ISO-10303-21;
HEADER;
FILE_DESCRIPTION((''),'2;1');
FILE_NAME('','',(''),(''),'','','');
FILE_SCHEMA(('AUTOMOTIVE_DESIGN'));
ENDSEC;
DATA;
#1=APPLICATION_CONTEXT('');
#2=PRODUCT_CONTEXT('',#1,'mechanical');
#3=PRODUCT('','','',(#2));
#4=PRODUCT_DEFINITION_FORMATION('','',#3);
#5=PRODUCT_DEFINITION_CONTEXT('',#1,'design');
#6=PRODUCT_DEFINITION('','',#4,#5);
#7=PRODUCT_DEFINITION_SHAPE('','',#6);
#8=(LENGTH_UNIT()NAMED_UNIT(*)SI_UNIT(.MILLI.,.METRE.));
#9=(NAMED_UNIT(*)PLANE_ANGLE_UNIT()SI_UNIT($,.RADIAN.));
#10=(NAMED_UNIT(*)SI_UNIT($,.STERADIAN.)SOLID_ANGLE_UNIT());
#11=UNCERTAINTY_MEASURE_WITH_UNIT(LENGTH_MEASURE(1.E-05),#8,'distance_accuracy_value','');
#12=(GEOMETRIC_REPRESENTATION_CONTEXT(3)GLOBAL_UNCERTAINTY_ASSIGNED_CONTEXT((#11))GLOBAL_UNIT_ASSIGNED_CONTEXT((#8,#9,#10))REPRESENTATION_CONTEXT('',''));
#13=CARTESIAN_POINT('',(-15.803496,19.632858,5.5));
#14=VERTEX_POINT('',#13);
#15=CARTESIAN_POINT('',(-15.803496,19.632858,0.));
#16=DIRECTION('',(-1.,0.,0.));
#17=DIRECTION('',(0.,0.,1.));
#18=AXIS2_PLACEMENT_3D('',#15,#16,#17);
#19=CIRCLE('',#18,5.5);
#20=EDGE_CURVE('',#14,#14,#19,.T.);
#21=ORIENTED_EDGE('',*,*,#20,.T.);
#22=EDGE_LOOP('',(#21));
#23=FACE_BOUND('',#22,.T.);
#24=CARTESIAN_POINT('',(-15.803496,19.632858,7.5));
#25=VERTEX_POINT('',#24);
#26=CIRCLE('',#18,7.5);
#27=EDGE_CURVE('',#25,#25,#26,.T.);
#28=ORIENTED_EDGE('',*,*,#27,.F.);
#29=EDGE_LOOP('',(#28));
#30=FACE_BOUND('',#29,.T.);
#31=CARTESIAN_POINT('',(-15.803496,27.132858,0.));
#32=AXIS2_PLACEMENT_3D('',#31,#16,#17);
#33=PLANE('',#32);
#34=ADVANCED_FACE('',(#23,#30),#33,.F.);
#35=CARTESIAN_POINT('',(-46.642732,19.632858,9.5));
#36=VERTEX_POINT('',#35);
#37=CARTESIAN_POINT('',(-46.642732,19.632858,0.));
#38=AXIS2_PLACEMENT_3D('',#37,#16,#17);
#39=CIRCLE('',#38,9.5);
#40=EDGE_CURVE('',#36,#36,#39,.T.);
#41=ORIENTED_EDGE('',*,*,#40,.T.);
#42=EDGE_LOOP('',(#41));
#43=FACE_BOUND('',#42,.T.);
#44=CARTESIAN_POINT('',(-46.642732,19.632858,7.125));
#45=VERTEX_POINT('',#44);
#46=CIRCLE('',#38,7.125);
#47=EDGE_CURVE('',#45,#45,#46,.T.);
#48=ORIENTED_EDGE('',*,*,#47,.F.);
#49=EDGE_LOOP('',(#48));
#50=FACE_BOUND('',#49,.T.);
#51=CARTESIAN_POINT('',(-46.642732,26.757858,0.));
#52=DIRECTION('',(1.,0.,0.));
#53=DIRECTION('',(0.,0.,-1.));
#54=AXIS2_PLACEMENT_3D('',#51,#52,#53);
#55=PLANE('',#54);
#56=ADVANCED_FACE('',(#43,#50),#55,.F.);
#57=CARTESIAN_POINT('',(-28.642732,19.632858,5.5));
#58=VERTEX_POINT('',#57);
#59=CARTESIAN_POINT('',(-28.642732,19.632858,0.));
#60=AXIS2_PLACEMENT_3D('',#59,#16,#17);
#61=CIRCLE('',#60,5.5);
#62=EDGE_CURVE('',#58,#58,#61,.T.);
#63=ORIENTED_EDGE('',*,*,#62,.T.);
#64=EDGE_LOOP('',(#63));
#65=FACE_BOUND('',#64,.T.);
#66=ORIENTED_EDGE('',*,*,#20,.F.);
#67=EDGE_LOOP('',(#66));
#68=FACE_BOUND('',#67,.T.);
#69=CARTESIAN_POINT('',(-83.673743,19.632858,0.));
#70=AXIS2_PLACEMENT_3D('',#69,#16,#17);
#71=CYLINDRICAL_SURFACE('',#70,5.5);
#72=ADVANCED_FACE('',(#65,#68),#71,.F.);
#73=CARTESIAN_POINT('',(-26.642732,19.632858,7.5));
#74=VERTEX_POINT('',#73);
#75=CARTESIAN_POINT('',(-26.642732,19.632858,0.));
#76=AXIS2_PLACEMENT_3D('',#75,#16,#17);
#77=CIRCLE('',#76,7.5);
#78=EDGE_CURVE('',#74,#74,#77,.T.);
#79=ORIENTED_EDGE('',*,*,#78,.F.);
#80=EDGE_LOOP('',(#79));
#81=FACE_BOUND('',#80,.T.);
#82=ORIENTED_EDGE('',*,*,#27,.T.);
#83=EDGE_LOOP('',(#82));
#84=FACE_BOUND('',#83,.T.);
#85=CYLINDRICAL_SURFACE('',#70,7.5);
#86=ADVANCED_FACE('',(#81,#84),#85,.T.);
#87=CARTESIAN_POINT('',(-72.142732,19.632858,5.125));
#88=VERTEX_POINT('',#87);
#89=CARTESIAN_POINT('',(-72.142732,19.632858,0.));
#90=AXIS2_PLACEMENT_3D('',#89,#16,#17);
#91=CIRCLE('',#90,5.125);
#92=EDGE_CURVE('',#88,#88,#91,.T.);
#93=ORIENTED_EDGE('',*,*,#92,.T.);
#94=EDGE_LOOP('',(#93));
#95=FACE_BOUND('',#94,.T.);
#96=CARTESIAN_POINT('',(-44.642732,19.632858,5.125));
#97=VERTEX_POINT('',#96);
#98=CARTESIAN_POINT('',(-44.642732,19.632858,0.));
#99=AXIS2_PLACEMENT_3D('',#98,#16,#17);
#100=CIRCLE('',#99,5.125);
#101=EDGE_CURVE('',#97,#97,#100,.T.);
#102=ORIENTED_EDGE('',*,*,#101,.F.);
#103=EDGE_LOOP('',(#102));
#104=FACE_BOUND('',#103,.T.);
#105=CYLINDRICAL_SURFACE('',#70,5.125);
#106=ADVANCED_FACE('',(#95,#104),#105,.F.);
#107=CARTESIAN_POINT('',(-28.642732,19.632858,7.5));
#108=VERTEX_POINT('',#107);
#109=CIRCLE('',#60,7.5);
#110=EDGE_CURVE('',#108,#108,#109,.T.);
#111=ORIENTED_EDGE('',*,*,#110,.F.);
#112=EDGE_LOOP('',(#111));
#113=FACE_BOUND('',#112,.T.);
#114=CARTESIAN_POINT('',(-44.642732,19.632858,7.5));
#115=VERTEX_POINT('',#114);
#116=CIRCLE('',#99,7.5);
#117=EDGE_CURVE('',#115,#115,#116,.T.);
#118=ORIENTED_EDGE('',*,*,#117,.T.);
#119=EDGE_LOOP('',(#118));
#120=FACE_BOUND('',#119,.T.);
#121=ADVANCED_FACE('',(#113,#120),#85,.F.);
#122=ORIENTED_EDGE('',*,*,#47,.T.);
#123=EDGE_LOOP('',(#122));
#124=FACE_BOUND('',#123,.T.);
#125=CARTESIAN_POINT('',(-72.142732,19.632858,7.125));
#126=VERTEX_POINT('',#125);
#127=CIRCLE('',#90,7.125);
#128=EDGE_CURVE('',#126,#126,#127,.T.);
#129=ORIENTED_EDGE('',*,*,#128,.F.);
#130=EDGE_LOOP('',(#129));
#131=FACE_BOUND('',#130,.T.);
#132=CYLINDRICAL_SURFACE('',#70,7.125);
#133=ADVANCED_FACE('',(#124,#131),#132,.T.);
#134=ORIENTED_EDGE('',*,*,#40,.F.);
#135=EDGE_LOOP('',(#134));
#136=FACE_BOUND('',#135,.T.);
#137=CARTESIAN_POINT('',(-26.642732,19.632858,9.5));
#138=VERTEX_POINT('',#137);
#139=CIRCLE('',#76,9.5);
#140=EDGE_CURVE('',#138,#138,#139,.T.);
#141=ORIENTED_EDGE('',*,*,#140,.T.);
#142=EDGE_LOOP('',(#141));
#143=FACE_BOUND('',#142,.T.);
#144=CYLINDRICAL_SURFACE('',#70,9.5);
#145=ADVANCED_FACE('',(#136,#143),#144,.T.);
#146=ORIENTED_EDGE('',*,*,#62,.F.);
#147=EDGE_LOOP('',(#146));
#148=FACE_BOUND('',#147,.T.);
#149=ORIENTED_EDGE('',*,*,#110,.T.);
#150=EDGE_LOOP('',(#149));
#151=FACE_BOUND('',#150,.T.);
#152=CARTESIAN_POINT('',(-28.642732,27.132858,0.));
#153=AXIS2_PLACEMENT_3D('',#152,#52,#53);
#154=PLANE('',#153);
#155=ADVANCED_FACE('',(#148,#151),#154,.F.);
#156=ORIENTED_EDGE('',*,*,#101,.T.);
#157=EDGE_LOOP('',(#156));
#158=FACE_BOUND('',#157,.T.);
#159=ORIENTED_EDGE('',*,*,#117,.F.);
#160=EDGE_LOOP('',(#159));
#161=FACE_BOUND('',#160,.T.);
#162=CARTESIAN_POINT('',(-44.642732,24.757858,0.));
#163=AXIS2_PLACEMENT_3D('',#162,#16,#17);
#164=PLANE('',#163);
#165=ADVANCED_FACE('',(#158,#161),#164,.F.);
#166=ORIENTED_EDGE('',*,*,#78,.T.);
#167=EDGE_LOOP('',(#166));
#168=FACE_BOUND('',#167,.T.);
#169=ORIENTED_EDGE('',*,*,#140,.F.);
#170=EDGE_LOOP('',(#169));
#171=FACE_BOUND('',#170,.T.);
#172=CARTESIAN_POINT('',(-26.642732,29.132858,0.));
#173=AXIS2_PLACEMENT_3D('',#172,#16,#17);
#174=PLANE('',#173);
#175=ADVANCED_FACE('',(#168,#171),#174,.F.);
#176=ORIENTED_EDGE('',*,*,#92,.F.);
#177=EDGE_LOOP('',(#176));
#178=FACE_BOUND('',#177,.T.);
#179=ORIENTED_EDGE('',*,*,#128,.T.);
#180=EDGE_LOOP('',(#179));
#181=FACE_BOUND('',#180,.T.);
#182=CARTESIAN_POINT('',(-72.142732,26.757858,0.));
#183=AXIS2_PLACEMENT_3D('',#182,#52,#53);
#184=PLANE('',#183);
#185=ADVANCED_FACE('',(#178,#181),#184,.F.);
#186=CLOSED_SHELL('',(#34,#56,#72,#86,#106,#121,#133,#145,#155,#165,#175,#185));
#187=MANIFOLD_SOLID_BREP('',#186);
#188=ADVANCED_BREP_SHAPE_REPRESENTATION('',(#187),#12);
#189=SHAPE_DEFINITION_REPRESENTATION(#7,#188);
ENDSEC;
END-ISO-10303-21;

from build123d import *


with BuildPart() as part:
    # Sketch1 → Revolve1 (revolve)
    with BuildSketch(Plane.XY, mode=Mode.PRIVATE) as revolve1_sk:
        Polygon((-72.14273222, 24.757857647), (-44.64273222, 24.757857647), (-44.64273222, 27.132857647), (-28.64273222, 27.132857647), (-28.64273222, 25.132857647), (-15.803496151, 25.132857647), (-15.803496151, 27.132857647), (-26.64273222, 27.132857647), (-26.64273222, 29.132857647), (-46.64273222, 29.132857647), (-46.64273222, 26.757857647), (-72.14273222, 26.757857647), align=None)
    revolve(revolve1_sk.sketch.rotate(Axis((-83.673742698, 19.632857647, 0), (1, 0, 0)), 90), axis=Axis((-83.673742698, 19.632857647, 0), (1, 0, 0)))


solid = part.part
